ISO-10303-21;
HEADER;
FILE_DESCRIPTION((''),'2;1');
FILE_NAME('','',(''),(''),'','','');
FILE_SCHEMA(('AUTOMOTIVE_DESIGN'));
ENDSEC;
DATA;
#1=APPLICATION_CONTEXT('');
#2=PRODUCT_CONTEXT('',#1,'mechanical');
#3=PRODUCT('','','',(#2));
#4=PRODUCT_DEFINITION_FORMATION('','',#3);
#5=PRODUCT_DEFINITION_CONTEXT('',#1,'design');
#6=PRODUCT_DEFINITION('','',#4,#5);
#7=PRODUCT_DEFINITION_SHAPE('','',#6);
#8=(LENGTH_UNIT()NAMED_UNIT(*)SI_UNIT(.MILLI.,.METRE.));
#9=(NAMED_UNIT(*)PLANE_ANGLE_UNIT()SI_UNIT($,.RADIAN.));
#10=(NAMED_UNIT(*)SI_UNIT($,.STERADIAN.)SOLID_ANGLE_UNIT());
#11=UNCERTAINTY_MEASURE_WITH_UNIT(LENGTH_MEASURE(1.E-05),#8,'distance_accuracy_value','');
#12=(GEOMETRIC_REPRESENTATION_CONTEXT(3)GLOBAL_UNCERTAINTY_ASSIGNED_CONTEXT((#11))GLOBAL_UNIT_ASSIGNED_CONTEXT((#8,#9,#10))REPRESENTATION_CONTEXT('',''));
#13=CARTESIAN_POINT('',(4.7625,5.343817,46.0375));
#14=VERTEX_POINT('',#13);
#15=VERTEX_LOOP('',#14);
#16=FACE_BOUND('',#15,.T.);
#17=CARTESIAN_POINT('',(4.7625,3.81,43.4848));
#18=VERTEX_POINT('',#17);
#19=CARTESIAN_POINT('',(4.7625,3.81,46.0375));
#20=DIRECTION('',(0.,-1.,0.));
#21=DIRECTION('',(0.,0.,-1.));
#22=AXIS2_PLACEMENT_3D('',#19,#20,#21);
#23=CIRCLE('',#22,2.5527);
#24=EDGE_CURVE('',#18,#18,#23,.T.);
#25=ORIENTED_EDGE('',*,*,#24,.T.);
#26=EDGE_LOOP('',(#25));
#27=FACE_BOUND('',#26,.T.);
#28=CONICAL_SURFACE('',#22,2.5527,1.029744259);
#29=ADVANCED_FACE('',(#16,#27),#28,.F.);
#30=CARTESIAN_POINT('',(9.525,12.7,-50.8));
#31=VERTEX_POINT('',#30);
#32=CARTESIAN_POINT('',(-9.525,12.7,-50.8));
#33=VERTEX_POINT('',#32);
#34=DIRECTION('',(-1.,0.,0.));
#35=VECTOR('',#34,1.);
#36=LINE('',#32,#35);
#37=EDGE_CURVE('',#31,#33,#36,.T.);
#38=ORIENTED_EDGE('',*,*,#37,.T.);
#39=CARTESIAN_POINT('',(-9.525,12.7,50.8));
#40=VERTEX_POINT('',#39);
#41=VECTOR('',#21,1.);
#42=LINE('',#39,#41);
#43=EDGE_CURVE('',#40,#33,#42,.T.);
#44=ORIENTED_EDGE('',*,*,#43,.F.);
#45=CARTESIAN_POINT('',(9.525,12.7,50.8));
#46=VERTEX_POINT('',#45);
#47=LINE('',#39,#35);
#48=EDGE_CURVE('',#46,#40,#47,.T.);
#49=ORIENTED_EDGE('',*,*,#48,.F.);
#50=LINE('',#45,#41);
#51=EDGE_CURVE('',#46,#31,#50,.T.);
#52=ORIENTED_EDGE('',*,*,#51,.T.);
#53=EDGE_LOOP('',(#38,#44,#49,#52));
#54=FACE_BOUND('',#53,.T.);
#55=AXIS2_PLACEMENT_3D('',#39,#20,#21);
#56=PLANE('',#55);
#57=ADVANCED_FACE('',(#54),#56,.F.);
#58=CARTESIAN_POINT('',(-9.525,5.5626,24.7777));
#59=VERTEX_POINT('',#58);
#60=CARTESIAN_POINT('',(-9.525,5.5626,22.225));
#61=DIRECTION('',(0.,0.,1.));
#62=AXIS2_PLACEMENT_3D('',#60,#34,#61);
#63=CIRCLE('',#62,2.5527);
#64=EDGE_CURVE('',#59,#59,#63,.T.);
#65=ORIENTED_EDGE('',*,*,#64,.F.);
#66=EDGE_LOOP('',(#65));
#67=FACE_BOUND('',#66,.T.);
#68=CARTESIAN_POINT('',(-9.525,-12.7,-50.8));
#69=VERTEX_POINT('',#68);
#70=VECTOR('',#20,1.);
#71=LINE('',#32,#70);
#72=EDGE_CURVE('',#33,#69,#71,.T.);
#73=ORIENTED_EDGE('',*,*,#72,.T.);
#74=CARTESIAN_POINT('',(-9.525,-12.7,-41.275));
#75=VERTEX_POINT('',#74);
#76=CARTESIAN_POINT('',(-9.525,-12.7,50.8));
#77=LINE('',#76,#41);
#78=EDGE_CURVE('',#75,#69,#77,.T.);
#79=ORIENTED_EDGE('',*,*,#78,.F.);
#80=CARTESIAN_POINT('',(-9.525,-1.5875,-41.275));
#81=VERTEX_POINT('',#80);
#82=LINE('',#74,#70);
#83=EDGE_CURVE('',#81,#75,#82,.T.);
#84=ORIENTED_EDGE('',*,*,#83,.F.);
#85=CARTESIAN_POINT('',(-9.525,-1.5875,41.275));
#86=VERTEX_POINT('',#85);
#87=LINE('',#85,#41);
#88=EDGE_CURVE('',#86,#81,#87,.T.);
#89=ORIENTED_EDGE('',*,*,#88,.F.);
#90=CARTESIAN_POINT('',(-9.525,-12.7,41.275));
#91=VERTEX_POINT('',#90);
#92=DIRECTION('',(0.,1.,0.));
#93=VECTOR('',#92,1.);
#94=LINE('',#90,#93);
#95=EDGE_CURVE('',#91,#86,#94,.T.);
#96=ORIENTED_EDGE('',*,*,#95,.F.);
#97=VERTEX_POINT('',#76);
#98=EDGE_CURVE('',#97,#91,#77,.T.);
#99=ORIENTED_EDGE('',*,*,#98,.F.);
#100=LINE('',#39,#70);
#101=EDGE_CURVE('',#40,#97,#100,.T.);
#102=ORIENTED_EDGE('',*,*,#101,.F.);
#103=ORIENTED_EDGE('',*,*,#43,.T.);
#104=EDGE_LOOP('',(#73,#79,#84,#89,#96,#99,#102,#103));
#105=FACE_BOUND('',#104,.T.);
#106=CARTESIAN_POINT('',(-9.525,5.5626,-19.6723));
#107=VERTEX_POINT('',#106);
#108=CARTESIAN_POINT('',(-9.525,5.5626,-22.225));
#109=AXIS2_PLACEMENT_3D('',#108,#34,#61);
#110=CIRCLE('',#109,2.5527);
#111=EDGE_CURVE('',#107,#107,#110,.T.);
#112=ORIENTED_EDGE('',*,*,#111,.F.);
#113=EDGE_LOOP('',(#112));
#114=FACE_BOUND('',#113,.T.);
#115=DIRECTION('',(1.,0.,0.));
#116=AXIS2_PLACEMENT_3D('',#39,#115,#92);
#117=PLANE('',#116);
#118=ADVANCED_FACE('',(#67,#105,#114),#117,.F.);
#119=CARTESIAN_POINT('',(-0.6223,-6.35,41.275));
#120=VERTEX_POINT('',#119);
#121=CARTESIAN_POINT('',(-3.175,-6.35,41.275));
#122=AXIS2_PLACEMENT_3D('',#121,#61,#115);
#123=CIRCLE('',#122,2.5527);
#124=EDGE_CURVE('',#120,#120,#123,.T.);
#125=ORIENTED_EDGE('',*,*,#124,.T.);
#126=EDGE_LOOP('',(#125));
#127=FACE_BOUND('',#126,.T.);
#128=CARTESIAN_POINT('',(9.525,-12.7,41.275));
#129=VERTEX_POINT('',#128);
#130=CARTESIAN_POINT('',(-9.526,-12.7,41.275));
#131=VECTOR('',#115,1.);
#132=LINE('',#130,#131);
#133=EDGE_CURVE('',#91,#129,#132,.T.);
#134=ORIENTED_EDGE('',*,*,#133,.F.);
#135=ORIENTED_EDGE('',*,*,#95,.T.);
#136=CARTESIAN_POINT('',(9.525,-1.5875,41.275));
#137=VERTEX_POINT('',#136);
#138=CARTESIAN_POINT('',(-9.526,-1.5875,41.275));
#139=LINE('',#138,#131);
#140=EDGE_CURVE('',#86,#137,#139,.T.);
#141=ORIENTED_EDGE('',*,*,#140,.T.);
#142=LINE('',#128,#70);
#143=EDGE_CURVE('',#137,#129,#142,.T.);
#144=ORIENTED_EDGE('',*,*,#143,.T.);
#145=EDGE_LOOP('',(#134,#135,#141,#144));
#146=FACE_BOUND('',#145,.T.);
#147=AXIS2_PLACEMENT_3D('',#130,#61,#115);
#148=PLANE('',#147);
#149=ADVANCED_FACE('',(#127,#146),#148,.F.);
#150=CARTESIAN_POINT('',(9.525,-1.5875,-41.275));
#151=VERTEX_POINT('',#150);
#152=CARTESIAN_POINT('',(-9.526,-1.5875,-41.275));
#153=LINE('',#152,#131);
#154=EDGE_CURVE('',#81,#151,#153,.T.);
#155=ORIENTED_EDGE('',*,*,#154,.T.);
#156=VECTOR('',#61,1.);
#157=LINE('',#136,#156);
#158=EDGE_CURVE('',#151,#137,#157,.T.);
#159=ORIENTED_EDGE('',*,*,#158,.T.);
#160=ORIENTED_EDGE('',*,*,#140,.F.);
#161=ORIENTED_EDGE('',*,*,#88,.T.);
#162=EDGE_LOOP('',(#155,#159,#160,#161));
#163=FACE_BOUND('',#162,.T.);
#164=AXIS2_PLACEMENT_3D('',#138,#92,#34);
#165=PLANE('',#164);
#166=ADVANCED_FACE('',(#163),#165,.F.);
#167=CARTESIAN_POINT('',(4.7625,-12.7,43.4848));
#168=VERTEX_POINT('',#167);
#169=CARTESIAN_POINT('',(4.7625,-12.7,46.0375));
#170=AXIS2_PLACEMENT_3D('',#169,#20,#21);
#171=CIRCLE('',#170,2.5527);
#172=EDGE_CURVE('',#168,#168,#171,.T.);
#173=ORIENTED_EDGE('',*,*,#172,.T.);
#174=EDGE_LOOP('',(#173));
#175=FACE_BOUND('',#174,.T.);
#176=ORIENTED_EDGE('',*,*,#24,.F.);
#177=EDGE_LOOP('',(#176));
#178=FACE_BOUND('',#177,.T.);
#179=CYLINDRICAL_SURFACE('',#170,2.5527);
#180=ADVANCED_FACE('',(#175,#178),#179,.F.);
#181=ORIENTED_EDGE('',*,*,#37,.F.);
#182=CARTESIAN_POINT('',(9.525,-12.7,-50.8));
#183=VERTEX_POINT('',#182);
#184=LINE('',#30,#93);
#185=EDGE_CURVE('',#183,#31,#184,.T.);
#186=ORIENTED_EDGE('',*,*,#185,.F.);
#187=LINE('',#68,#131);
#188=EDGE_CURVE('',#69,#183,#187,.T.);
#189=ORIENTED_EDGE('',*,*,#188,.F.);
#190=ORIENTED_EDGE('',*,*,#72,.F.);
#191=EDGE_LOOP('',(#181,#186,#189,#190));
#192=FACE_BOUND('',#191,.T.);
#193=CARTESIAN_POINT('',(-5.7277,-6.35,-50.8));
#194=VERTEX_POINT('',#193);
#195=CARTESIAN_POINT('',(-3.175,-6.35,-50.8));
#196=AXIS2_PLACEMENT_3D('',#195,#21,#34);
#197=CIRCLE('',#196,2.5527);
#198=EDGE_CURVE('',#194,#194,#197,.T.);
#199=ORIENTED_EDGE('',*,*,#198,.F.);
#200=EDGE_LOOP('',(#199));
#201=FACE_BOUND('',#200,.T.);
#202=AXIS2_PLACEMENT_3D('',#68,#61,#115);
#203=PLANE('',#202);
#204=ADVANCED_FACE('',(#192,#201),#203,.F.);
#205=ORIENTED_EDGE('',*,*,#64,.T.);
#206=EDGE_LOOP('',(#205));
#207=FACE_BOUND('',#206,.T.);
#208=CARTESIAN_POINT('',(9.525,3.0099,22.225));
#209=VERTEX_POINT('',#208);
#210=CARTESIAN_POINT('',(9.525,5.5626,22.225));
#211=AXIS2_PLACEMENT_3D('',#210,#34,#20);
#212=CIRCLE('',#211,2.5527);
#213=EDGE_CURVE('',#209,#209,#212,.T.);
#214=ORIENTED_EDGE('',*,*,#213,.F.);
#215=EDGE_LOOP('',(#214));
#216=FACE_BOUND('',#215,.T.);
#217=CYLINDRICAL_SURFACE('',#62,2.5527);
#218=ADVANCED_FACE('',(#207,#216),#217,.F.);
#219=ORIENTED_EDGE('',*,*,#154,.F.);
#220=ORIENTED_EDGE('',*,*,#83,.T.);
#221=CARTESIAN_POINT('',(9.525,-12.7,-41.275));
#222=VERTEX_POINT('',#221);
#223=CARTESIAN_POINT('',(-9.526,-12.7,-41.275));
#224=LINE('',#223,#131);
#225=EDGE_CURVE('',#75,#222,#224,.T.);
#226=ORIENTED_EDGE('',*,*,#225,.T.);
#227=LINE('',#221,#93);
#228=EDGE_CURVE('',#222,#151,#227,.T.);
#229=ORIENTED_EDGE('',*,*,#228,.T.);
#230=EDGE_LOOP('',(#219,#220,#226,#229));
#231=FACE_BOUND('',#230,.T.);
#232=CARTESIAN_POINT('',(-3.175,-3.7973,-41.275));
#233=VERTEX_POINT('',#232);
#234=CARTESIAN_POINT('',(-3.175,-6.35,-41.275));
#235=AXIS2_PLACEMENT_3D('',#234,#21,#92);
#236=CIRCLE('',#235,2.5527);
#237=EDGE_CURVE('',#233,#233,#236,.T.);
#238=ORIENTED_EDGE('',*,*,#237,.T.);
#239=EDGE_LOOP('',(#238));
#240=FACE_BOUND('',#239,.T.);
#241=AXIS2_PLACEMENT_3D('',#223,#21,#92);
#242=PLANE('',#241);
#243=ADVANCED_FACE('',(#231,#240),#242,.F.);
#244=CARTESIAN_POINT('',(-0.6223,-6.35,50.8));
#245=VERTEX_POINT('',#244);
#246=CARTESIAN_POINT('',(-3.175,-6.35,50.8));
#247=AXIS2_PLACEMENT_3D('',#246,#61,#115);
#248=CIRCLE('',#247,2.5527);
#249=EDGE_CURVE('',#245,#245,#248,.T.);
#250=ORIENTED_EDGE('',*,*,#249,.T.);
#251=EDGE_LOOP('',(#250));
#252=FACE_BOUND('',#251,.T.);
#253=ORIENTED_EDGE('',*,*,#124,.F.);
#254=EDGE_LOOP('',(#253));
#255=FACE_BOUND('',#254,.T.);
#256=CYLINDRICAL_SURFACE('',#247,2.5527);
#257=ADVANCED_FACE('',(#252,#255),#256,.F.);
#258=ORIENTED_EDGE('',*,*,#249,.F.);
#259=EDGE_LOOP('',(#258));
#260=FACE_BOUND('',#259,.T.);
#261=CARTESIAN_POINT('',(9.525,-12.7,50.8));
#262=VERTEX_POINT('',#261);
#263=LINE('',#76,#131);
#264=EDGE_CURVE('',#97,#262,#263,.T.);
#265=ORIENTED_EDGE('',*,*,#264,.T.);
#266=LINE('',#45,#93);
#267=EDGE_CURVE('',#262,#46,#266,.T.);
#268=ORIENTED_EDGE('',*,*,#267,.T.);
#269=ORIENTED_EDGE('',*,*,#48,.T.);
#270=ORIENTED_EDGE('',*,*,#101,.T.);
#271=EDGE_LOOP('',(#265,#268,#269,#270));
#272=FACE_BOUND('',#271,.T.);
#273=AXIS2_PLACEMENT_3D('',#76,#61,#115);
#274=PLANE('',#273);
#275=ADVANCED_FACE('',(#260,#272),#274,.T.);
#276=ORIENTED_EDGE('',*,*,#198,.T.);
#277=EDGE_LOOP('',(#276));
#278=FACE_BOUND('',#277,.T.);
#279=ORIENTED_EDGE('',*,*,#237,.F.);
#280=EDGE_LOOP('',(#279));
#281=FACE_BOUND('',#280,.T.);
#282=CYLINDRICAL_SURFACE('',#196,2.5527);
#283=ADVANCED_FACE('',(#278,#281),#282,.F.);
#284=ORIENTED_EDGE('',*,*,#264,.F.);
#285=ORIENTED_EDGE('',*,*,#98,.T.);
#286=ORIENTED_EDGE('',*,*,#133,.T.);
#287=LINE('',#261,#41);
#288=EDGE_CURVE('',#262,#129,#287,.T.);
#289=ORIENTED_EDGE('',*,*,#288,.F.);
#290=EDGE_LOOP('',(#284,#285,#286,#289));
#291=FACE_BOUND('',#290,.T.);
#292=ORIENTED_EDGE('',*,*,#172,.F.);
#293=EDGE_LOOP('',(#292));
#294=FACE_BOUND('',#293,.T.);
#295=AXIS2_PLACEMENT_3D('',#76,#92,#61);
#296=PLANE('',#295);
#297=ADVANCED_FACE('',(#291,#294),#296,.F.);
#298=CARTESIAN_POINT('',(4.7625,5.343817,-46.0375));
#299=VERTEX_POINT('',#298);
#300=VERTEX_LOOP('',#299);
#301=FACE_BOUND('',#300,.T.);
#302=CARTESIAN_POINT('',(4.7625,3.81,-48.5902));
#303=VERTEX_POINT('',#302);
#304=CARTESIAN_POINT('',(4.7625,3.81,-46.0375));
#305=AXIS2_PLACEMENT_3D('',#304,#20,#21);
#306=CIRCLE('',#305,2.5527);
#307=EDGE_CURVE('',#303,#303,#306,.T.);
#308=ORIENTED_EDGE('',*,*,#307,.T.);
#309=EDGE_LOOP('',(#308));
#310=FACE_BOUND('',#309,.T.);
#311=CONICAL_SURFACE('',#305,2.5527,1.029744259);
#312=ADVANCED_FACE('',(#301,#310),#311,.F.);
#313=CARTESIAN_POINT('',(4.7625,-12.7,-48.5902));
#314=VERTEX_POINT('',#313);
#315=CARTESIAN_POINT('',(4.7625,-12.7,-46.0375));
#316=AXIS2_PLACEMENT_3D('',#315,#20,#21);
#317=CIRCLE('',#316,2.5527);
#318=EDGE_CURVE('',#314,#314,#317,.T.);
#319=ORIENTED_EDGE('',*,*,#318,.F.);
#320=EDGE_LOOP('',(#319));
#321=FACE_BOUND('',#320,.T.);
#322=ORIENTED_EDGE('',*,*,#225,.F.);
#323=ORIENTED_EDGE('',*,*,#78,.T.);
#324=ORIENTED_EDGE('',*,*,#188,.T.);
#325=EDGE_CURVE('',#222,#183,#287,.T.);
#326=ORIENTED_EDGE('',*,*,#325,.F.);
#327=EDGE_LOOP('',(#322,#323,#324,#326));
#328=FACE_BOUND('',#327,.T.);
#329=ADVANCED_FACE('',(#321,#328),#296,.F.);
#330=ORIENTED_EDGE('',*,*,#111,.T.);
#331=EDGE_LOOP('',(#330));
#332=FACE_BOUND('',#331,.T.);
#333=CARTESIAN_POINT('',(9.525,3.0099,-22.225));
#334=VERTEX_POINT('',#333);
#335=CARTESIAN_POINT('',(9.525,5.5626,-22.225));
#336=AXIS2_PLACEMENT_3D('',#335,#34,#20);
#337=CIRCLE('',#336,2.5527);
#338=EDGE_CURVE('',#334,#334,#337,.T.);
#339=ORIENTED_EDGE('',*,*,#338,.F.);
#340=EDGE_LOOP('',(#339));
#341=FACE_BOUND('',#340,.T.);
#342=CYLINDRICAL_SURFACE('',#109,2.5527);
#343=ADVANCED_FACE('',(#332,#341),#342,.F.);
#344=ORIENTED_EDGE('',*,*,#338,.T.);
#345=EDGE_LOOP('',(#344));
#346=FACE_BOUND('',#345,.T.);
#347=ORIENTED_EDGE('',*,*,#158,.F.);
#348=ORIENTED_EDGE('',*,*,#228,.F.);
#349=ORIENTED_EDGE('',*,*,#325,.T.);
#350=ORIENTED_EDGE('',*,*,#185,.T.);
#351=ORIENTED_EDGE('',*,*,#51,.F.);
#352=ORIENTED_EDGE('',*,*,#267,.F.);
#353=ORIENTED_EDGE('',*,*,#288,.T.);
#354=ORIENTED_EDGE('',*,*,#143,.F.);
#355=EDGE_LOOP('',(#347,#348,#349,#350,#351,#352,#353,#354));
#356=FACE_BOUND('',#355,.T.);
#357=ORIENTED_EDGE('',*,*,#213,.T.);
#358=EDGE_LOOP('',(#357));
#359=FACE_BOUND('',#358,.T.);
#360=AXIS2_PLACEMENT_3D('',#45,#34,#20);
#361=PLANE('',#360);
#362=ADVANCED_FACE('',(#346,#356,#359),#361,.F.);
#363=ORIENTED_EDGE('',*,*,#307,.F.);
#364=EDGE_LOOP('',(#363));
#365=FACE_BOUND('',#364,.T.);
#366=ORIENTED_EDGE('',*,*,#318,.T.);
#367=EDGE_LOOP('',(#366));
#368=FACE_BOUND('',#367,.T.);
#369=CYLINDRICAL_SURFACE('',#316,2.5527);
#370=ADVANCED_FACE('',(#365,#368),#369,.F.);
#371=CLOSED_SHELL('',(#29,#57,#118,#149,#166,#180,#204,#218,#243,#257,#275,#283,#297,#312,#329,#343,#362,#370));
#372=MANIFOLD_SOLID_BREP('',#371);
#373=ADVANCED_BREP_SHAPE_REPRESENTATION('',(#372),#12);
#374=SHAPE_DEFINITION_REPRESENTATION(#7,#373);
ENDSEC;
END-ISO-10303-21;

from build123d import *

# Parameters (mm, degrees)
SKETCH1_W                   = 19.05
SKETCH1_H                   = 25.4
EXTRUDE1_DEPTH              = 50.8
CUT_EXTRUDE1_REACH          = 21.05
SKETCH2_W                   = 82.55
SKETCH2_H                   = 11.1125
F_1_4_20_TAPPED_HOLE1_D     = 5.1054
F_1_4_20_TAPPED_HOLE1_DEPTH = 9.525
F_1_4_20_TAPPED_HOLE2_D     = 5.1054
F_1_4_20_TAPPED_HOLE2_DEPTH = 9.525
F_1_4_20_TAPPED_HOLE3_D     = 5.1054
F_1_4_20_TAPPED_HOLE3_DEPTH = 16.51
F_1_4_20_TAPPED_HOLE3_TIP   = 1.533816902
F_1_4_20_TAPPED_HOLE4_D     = 5.1054
F_1_4_20_TAPPED_HOLE4_DEPTH = 19.05


with BuildPart() as part:
    # Sketch1 → Extrude1 (new body, symmetric)
    with BuildSketch(Plane.XY):
        Rectangle(SKETCH1_W, SKETCH1_H)
    extrude(amount=EXTRUDE1_DEPTH, both=True)

    # Sketch2 → Cut-Extrude1 (cut, up to next)
    with BuildSketch(Plane(origin=(9.525, 0, 0), x_dir=(0, 0, -1), z_dir=(1, 0, 0)), mode=Mode.PRIVATE) as cut_extrude1_sk1:
        with Locations((0, -7.14375)):
            Rectangle(SKETCH2_W, SKETCH2_H)
    cut_extrude1_tool1 = extrude(cut_extrude1_sk1.sketch, amount=-CUT_EXTRUDE1_REACH, mode=Mode.PRIVATE) & part.part
    add(cut_extrude1_tool1.solids().sort_by_distance((9.525, -7.14375, 0))[0], mode=Mode.SUBTRACT)

    # 1/4-20 Tapped Hole1
    with Locations(Plane(origin=(0, 0, -50.8), x_dir=(-1, 0, 0), z_dir=(0, 0, -1))):
        with Locations((3.175, -6.35)):
            Hole(F_1_4_20_TAPPED_HOLE1_D / 2, depth=F_1_4_20_TAPPED_HOLE1_DEPTH)

    # 1/4-20 Tapped Hole2
    with Locations(Plane.XY.offset(50.8)):
        with Locations((-3.175, -6.35)):
            Hole(F_1_4_20_TAPPED_HOLE2_D / 2, depth=F_1_4_20_TAPPED_HOLE2_DEPTH)

    # 1/4-20 Tapped Hole3
    with Locations(Plane.XZ.offset(12.7)):
        with Locations((4.7625, 46.0375), (4.7625, -46.0375)):
            Hole(F_1_4_20_TAPPED_HOLE3_D / 2, depth=F_1_4_20_TAPPED_HOLE3_DEPTH)
            with Locations((0, 0, -(F_1_4_20_TAPPED_HOLE3_DEPTH + F_1_4_20_TAPPED_HOLE3_TIP / 2))):  # 118° drill point
                Cone(0, F_1_4_20_TAPPED_HOLE3_D / 2, F_1_4_20_TAPPED_HOLE3_TIP, mode=Mode.SUBTRACT)

    # 1/4-20 Tapped Hole4
    with Locations(Plane.ZY.offset(9.525)):
        with Locations((-22.225, 5.5626), (22.225, 5.5626)):
            Hole(F_1_4_20_TAPPED_HOLE4_D / 2, depth=F_1_4_20_TAPPED_HOLE4_DEPTH)


solid = part.part
